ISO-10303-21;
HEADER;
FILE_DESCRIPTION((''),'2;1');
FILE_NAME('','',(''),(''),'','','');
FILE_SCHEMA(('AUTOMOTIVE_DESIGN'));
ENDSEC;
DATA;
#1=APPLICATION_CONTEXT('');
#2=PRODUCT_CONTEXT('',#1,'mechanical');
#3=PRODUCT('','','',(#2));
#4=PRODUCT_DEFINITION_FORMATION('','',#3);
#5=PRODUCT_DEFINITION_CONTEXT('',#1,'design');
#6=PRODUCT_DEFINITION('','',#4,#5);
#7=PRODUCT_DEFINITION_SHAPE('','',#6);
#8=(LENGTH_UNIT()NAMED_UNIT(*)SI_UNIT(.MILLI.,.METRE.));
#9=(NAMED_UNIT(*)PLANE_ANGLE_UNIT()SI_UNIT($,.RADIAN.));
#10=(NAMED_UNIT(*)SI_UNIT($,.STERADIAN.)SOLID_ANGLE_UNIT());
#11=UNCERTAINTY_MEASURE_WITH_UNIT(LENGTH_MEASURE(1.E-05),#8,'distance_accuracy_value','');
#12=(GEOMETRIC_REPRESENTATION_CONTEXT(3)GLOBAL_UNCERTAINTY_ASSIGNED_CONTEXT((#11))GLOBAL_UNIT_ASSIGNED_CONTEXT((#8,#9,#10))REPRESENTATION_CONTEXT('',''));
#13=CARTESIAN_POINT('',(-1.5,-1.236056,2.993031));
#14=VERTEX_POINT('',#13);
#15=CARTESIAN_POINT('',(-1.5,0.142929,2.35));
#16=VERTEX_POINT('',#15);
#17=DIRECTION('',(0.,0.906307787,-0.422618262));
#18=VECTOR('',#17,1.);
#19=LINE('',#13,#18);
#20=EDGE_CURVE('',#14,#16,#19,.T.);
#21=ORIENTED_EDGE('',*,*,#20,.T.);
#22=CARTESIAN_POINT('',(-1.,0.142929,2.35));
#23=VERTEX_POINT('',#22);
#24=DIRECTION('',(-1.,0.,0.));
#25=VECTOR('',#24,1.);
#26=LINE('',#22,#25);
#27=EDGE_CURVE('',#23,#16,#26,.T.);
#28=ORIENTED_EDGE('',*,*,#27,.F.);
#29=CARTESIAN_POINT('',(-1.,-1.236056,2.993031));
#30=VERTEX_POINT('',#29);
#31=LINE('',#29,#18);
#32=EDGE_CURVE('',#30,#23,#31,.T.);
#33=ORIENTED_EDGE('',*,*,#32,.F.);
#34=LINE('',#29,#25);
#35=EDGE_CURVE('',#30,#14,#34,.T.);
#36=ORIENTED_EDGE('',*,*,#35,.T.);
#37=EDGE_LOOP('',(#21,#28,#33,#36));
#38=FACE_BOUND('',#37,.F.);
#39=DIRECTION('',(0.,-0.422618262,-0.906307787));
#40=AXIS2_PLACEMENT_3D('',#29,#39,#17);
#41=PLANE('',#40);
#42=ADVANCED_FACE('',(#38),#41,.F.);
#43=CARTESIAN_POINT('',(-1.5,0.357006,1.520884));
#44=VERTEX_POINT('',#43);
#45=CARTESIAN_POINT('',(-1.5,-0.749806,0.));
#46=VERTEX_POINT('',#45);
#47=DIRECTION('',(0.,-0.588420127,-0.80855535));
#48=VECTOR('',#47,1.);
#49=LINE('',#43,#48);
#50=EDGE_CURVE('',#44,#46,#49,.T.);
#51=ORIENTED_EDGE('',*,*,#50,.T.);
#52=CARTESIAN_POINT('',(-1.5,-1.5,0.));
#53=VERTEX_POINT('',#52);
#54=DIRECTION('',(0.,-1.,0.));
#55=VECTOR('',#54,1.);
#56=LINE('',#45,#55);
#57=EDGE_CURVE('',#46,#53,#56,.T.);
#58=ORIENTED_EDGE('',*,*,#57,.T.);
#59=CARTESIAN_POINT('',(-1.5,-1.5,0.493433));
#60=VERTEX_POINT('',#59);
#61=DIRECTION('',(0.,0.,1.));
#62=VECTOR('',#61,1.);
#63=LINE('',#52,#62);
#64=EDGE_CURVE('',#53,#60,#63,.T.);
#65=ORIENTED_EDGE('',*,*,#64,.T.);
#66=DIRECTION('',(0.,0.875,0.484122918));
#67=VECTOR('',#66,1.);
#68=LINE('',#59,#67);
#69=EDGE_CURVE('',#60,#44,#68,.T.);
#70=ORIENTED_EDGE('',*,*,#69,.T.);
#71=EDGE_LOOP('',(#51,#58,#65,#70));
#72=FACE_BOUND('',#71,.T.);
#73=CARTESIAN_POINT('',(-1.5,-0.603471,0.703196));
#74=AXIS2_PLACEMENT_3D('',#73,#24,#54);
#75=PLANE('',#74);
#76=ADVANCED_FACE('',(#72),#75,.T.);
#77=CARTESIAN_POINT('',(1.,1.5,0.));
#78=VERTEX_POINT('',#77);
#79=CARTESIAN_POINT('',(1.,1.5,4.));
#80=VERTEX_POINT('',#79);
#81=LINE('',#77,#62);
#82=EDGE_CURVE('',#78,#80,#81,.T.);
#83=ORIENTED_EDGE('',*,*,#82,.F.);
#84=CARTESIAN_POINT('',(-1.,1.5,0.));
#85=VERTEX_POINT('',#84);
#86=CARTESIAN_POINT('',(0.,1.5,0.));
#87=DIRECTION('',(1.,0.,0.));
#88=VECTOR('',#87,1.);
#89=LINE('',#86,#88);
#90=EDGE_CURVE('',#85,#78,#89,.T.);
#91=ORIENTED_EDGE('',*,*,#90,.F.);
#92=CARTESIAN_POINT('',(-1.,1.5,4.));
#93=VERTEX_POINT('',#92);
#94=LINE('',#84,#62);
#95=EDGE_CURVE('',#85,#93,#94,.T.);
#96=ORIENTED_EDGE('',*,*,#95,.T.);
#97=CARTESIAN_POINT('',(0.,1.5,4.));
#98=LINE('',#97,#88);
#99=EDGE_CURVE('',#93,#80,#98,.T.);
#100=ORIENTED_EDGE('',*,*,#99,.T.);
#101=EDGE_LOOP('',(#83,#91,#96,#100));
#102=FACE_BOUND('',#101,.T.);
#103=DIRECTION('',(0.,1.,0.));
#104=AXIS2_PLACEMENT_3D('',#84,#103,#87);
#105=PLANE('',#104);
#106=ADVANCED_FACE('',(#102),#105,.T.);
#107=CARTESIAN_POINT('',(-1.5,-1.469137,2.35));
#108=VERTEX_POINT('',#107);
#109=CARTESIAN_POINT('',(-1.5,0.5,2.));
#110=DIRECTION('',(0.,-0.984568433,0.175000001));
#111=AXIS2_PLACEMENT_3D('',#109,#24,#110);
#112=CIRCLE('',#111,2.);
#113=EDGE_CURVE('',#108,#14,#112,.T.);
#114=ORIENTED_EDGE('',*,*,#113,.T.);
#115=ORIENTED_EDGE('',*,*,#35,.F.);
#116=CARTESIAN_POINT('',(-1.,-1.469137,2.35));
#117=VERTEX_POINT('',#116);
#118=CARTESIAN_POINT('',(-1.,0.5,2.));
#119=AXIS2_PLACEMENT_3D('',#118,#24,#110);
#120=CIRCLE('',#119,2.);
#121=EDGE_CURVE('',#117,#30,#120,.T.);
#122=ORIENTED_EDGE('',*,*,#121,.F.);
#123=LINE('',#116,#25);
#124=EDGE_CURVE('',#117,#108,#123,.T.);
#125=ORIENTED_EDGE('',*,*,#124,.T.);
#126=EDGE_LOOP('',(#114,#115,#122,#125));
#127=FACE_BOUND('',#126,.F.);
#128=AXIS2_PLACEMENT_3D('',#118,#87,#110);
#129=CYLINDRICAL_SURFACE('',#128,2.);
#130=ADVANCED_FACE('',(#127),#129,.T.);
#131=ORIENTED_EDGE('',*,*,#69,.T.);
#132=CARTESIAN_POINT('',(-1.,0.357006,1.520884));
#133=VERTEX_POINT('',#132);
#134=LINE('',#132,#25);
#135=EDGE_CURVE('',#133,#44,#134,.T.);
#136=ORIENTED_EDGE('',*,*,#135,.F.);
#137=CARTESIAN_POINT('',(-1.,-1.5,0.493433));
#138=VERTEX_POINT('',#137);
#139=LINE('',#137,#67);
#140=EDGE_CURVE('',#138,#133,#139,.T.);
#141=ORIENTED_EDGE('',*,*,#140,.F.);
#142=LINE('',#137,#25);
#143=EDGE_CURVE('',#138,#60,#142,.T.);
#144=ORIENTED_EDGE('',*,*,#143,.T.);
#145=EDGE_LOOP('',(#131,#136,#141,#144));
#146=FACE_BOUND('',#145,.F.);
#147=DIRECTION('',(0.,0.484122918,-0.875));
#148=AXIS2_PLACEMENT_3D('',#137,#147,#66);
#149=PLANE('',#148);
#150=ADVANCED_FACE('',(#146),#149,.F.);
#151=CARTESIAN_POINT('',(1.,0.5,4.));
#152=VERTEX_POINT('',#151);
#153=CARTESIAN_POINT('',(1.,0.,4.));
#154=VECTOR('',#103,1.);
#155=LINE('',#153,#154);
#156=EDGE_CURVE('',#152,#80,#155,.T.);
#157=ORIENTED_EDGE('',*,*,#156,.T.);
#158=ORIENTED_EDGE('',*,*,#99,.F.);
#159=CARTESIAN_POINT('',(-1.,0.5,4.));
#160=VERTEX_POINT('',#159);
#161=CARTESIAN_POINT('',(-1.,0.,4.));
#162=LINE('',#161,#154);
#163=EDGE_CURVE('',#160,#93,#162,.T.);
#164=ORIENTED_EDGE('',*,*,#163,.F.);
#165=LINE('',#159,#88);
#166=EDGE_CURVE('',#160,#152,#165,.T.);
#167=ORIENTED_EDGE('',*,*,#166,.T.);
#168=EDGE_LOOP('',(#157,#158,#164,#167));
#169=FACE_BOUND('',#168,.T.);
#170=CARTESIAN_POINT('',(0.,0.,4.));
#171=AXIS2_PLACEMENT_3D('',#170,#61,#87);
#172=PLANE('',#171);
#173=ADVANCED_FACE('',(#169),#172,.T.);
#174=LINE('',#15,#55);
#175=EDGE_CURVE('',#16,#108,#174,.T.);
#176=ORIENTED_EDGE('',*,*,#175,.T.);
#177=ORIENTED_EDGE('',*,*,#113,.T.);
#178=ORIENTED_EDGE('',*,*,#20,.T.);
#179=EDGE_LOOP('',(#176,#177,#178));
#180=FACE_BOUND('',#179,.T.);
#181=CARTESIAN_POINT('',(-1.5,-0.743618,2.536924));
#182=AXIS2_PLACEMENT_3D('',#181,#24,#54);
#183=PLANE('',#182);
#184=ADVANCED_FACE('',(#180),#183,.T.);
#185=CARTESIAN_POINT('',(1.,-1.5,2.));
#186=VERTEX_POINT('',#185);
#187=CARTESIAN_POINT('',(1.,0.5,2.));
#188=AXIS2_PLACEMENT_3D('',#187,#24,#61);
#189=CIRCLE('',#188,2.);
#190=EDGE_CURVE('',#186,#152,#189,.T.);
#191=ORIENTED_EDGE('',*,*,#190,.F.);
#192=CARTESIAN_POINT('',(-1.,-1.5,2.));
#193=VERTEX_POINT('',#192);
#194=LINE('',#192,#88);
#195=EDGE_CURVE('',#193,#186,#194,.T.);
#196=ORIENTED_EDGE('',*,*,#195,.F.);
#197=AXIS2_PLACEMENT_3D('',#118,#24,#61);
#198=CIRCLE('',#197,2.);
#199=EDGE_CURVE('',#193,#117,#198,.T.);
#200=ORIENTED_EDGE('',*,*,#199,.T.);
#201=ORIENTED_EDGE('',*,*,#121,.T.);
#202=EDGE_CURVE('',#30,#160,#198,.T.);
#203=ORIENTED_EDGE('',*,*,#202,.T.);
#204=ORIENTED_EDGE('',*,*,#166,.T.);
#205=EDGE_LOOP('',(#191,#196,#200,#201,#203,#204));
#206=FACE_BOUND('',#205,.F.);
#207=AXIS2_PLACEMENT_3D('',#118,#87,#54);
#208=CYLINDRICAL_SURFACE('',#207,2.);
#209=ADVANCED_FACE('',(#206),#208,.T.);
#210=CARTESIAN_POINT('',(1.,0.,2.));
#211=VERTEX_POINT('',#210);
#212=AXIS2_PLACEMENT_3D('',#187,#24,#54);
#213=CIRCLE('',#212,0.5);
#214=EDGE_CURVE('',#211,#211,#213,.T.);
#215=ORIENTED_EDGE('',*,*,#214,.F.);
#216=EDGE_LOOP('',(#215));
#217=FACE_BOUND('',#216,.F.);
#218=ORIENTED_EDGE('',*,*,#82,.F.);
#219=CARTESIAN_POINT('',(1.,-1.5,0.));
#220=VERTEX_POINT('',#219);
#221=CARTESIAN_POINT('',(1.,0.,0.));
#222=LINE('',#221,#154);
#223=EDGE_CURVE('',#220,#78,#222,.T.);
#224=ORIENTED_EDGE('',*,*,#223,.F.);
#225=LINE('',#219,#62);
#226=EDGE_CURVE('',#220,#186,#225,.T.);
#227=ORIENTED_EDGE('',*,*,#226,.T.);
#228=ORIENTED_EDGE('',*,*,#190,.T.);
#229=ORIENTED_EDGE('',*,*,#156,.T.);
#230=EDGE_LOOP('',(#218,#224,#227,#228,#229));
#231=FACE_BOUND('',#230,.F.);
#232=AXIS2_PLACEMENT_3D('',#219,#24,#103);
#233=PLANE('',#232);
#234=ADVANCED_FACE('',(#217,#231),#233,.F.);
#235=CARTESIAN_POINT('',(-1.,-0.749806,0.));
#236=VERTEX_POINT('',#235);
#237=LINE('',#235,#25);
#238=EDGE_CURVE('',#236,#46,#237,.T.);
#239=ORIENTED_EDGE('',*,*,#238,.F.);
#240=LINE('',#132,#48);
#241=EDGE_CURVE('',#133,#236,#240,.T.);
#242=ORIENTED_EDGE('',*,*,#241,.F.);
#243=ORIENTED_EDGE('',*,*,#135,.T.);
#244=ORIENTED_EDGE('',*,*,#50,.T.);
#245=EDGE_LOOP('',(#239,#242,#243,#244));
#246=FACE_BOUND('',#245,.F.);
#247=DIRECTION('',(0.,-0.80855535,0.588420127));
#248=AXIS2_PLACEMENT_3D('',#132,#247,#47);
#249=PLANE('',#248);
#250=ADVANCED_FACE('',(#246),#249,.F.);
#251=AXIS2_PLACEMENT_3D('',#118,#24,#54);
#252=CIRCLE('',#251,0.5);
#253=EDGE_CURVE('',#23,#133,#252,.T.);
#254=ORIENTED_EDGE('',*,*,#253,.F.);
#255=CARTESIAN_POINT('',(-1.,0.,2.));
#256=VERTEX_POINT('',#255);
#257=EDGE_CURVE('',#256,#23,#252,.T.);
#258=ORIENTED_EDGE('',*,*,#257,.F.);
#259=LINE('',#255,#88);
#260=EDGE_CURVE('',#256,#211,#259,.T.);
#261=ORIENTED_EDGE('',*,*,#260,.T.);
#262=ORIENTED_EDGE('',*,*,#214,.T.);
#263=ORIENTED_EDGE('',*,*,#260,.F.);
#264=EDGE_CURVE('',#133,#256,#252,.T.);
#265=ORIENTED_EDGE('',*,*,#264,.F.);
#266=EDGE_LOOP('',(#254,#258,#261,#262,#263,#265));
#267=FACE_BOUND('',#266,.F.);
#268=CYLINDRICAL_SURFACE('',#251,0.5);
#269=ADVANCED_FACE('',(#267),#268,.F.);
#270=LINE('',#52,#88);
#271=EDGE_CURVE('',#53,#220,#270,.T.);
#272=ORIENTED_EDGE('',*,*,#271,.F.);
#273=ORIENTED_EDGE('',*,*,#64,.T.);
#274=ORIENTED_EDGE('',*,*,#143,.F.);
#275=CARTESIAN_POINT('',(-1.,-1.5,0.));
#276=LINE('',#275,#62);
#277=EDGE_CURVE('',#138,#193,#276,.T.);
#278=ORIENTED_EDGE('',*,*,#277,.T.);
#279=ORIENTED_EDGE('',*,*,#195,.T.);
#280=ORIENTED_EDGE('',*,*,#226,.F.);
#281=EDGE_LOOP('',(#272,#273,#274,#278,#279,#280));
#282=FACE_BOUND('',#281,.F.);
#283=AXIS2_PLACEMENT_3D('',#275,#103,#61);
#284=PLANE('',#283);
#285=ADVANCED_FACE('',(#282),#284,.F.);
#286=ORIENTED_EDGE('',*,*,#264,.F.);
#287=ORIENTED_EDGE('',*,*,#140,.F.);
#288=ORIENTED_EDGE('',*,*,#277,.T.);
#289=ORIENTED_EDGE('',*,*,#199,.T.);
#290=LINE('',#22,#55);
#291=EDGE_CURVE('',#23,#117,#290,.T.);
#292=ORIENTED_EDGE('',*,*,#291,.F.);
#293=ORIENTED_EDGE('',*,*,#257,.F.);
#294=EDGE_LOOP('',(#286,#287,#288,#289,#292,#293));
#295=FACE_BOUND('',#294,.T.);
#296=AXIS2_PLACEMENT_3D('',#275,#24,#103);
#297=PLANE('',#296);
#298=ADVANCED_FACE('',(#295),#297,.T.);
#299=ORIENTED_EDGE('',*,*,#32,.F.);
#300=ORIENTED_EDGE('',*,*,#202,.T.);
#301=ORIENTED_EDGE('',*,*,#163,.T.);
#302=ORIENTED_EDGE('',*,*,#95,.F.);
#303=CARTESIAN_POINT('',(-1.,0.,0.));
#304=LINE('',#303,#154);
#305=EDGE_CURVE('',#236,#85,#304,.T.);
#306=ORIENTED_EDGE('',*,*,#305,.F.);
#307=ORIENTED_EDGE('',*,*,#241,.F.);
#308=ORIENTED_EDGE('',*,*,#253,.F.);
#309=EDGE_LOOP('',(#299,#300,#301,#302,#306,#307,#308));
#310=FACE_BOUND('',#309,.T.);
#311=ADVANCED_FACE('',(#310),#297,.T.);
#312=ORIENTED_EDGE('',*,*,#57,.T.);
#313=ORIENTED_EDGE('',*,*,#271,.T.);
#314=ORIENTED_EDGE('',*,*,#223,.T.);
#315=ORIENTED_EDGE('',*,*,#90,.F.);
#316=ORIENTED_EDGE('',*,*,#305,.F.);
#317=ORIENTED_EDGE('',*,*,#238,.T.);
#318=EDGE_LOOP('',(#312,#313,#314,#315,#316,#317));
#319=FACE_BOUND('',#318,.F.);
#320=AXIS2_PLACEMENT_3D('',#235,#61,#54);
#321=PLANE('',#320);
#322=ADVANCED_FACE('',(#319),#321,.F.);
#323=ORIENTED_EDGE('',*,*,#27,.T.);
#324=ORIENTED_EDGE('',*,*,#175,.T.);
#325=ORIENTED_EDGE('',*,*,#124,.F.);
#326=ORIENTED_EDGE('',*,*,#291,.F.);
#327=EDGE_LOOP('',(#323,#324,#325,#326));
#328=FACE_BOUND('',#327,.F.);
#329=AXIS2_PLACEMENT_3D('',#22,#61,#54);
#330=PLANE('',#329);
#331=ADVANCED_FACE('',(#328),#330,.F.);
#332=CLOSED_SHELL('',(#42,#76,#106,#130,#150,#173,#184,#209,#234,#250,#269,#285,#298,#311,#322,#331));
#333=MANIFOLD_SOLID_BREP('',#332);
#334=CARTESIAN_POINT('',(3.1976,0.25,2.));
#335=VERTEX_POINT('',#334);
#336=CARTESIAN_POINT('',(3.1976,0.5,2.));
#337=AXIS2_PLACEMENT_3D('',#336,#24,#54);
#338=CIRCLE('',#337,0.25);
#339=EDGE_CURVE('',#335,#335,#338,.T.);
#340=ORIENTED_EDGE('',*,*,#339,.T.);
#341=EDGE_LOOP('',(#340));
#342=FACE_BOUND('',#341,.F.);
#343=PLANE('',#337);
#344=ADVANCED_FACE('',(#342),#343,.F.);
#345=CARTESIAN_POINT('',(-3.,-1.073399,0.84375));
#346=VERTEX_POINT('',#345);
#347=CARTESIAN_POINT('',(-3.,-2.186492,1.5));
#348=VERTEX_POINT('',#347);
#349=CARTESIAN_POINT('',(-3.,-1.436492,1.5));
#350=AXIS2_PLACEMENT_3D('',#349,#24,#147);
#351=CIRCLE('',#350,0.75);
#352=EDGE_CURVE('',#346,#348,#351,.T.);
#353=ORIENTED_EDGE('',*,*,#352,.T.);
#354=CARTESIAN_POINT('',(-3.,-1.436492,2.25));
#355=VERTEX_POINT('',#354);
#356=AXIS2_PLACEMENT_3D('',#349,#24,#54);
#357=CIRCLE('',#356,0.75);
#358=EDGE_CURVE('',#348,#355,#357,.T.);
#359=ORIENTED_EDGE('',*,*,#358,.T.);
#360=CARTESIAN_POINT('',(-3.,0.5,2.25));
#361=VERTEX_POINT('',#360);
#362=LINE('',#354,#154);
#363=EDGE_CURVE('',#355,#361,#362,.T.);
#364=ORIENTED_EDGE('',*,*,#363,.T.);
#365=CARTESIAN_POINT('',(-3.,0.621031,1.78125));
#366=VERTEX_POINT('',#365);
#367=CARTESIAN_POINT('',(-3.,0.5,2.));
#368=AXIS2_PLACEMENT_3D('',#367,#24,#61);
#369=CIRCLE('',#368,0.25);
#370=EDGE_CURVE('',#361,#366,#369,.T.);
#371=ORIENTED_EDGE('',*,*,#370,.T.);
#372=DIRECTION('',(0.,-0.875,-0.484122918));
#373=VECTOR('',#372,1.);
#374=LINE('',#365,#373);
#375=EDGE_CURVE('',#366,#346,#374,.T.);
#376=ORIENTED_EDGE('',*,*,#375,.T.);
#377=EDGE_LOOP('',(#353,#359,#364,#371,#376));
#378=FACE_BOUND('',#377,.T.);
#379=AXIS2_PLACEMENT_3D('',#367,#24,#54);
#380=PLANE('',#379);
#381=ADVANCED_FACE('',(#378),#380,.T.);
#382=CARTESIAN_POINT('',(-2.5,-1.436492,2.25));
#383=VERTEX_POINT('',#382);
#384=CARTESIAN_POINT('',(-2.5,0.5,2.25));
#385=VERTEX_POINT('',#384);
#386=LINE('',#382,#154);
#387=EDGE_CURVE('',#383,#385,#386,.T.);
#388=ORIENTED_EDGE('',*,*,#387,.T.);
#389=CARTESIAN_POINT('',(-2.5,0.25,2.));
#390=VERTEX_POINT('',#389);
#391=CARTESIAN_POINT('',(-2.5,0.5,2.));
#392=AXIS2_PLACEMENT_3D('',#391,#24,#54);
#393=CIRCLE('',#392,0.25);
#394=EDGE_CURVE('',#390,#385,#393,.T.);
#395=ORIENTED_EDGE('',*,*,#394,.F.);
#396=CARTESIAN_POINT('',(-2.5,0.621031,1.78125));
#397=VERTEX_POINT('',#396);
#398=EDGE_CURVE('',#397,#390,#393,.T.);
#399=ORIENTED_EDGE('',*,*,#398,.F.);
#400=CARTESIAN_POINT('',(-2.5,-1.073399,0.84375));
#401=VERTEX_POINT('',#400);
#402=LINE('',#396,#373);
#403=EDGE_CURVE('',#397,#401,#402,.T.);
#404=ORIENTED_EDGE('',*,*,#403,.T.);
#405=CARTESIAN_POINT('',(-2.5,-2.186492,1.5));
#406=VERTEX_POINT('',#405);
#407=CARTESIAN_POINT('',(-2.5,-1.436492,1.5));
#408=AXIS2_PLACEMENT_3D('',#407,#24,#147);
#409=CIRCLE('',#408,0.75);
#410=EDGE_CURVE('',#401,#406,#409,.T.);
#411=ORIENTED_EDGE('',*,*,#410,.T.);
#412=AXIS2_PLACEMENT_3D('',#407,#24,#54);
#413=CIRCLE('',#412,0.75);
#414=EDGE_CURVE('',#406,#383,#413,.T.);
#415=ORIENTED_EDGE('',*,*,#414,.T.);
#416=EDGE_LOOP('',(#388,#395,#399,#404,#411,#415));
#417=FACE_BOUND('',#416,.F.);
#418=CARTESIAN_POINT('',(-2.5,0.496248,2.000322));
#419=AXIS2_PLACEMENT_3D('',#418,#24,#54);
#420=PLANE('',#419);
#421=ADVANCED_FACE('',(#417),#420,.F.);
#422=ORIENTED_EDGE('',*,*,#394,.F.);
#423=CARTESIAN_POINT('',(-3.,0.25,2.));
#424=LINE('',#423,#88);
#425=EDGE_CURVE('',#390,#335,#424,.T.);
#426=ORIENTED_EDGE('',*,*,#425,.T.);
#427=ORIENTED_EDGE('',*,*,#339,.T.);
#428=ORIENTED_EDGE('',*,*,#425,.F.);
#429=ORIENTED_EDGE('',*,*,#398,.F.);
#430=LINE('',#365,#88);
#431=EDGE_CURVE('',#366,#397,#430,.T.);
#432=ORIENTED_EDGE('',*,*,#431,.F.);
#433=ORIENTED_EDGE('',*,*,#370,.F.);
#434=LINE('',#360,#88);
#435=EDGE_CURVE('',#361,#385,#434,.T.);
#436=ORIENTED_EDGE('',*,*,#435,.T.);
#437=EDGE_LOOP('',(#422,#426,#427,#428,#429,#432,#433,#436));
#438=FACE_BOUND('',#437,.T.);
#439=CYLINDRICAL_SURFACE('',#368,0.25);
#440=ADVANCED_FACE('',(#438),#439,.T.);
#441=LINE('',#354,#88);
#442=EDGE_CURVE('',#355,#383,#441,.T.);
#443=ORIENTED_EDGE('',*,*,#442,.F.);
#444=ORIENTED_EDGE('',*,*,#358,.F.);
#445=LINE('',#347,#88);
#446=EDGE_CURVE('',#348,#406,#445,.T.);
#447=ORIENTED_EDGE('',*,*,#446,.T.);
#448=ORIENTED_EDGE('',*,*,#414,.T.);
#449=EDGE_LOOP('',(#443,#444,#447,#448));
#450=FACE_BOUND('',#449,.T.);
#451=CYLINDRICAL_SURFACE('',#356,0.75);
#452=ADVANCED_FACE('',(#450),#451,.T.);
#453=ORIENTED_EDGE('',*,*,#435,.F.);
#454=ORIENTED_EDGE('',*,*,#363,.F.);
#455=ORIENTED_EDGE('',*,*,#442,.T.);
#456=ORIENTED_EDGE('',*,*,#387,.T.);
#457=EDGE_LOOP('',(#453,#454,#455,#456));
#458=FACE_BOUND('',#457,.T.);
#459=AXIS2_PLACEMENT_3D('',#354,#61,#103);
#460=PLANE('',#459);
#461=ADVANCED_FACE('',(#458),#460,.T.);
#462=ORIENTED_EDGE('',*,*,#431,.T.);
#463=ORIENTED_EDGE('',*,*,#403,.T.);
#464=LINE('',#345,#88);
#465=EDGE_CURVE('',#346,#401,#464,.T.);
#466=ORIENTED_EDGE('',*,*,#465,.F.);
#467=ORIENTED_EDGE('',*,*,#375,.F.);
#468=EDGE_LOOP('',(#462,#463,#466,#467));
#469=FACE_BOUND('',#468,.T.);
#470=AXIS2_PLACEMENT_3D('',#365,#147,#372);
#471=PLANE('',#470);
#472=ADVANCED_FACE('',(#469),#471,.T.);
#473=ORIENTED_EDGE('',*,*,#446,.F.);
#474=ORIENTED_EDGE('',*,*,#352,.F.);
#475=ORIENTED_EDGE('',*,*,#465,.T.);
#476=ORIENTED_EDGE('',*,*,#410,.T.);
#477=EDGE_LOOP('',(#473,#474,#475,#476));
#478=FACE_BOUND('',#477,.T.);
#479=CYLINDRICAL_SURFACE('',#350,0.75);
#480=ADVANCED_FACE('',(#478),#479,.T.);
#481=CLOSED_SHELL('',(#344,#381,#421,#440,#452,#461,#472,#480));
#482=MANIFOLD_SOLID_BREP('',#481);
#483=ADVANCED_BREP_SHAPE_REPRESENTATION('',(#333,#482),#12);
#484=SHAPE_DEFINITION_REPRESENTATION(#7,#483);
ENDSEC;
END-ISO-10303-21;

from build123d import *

# Parameters (mm, degrees)
F0_W      = 2
F0_H      = 3
F1_DEPTH  = 4
F2_R      = 2
F3_R      = 0.5
F4_DEPTH  = 2.001
F6_R      = 0.25
F7_DEPTH  = 6.1976
F9_DEPTH  = 0.5
F11_DEPTH = 0.5


with BuildPart() as f1:
    # F0 (on Top) → F1 (new body)
    with BuildSketch(Plane.XY):
        Rectangle(F0_W, F0_H)
    extrude(amount=F1_DEPTH)

    # F2
    f2_edges = [f1.edges().sort_by_distance(p)[0] for p in [
        (0, -1.5, 4),
    ]]
    fillet(f2_edges, radius=F2_R)

    # F3 (on face) → F4 (cut, through all)
    with BuildSketch(Plane(origin=(-1, 0, 0), x_dir=(0, -1, 0), z_dir=(-1, 0, 0))):
        with Locations((-0.5, 2)):
            Circle(F3_R)
    extrude(amount=-F4_DEPTH, mode=Mode.SUBTRACT)

    # F10 (on face) → F11 (join)
    with BuildSketch(Plane(origin=(-1, 0, 0), x_dir=(0, -1, 0), z_dir=(-1, 0, 0))):
        with BuildLine():
            Line((1.2360557408, 2.9930309486), (-0.1429285786, 2.35))
            Line((-0.1429285786, 2.35), (1.4691368668, 2.35))
            ThreePointArc((1.4691368668, 2.35), (1.3802886121, 2.6815531784), (1.2360557408, 2.9930309486))
        make_face()
        Polygon((1.5, 0.4934333297), (-0.3570055276, 1.5208835414), (0.7498061304, 0), (1.5, 0), align=None)
    extrude(amount=F11_DEPTH)


with BuildPart() as f7:
    # F6 (on offset) → F7 (new body)
    with BuildSketch(Plane(origin=(-3, 0, 0), x_dir=(0, -1, 0), z_dir=(-1, 0, 0))):
        with Locations((-0.5, 2)):
            Circle(F6_R)
    extrude(amount=-F7_DEPTH)

    # F8 (on face) → F9 (join)
    with BuildSketch(Plane(origin=(-3, 0, 0), x_dir=(0, -1, 0), z_dir=(-1, 0, 0))):
        with BuildLine():
            ThreePointArc((-0.6210307296, 1.78125), (-0.3730308746, 1.784642527), (-0.25, 2))
            ThreePointArc((-0.25, 2), (-0.3232233047, 2.1767766953), (-0.5, 2.25))
            ThreePointArc((-0.5, 2.25), (-0.7420614591, 2.0625), (-0.6210307296, 1.78125))
        make_face()
        with BuildLine():
            ThreePointArc((-0.5, 2.25), (-0.3232233047, 2.1767766953), (-0.25, 2))
            ThreePointArc((-0.25, 2), (-0.3730308746, 1.784642527), (-0.6210307296, 1.78125))
            Line((-0.6210307296, 1.78125), (1.0733994844, 0.84375))
            ThreePointArc((1.0733994844, 0.84375), (0.7103072957, 1.6875), (1.4364916731, 2.25))
            Line((1.4364916731, 2.25), (-0.5, 2.25))
        make_face()
        with BuildLine():
            ThreePointArc((2.1864916731, 1.5), (1.966821759, 2.0303300859), (1.4364916731, 2.25))
            ThreePointArc((1.4364916731, 2.25), (0.7103072957, 1.6875), (1.0733994844, 0.84375))
            ThreePointArc((1.0733994844, 0.84375), (1.8173990493, 0.8539275809), (2.1864916731, 1.5))
        make_face()
    extrude(amount=-F9_DEPTH)


solid = Compound([f1.part, f7.part])
